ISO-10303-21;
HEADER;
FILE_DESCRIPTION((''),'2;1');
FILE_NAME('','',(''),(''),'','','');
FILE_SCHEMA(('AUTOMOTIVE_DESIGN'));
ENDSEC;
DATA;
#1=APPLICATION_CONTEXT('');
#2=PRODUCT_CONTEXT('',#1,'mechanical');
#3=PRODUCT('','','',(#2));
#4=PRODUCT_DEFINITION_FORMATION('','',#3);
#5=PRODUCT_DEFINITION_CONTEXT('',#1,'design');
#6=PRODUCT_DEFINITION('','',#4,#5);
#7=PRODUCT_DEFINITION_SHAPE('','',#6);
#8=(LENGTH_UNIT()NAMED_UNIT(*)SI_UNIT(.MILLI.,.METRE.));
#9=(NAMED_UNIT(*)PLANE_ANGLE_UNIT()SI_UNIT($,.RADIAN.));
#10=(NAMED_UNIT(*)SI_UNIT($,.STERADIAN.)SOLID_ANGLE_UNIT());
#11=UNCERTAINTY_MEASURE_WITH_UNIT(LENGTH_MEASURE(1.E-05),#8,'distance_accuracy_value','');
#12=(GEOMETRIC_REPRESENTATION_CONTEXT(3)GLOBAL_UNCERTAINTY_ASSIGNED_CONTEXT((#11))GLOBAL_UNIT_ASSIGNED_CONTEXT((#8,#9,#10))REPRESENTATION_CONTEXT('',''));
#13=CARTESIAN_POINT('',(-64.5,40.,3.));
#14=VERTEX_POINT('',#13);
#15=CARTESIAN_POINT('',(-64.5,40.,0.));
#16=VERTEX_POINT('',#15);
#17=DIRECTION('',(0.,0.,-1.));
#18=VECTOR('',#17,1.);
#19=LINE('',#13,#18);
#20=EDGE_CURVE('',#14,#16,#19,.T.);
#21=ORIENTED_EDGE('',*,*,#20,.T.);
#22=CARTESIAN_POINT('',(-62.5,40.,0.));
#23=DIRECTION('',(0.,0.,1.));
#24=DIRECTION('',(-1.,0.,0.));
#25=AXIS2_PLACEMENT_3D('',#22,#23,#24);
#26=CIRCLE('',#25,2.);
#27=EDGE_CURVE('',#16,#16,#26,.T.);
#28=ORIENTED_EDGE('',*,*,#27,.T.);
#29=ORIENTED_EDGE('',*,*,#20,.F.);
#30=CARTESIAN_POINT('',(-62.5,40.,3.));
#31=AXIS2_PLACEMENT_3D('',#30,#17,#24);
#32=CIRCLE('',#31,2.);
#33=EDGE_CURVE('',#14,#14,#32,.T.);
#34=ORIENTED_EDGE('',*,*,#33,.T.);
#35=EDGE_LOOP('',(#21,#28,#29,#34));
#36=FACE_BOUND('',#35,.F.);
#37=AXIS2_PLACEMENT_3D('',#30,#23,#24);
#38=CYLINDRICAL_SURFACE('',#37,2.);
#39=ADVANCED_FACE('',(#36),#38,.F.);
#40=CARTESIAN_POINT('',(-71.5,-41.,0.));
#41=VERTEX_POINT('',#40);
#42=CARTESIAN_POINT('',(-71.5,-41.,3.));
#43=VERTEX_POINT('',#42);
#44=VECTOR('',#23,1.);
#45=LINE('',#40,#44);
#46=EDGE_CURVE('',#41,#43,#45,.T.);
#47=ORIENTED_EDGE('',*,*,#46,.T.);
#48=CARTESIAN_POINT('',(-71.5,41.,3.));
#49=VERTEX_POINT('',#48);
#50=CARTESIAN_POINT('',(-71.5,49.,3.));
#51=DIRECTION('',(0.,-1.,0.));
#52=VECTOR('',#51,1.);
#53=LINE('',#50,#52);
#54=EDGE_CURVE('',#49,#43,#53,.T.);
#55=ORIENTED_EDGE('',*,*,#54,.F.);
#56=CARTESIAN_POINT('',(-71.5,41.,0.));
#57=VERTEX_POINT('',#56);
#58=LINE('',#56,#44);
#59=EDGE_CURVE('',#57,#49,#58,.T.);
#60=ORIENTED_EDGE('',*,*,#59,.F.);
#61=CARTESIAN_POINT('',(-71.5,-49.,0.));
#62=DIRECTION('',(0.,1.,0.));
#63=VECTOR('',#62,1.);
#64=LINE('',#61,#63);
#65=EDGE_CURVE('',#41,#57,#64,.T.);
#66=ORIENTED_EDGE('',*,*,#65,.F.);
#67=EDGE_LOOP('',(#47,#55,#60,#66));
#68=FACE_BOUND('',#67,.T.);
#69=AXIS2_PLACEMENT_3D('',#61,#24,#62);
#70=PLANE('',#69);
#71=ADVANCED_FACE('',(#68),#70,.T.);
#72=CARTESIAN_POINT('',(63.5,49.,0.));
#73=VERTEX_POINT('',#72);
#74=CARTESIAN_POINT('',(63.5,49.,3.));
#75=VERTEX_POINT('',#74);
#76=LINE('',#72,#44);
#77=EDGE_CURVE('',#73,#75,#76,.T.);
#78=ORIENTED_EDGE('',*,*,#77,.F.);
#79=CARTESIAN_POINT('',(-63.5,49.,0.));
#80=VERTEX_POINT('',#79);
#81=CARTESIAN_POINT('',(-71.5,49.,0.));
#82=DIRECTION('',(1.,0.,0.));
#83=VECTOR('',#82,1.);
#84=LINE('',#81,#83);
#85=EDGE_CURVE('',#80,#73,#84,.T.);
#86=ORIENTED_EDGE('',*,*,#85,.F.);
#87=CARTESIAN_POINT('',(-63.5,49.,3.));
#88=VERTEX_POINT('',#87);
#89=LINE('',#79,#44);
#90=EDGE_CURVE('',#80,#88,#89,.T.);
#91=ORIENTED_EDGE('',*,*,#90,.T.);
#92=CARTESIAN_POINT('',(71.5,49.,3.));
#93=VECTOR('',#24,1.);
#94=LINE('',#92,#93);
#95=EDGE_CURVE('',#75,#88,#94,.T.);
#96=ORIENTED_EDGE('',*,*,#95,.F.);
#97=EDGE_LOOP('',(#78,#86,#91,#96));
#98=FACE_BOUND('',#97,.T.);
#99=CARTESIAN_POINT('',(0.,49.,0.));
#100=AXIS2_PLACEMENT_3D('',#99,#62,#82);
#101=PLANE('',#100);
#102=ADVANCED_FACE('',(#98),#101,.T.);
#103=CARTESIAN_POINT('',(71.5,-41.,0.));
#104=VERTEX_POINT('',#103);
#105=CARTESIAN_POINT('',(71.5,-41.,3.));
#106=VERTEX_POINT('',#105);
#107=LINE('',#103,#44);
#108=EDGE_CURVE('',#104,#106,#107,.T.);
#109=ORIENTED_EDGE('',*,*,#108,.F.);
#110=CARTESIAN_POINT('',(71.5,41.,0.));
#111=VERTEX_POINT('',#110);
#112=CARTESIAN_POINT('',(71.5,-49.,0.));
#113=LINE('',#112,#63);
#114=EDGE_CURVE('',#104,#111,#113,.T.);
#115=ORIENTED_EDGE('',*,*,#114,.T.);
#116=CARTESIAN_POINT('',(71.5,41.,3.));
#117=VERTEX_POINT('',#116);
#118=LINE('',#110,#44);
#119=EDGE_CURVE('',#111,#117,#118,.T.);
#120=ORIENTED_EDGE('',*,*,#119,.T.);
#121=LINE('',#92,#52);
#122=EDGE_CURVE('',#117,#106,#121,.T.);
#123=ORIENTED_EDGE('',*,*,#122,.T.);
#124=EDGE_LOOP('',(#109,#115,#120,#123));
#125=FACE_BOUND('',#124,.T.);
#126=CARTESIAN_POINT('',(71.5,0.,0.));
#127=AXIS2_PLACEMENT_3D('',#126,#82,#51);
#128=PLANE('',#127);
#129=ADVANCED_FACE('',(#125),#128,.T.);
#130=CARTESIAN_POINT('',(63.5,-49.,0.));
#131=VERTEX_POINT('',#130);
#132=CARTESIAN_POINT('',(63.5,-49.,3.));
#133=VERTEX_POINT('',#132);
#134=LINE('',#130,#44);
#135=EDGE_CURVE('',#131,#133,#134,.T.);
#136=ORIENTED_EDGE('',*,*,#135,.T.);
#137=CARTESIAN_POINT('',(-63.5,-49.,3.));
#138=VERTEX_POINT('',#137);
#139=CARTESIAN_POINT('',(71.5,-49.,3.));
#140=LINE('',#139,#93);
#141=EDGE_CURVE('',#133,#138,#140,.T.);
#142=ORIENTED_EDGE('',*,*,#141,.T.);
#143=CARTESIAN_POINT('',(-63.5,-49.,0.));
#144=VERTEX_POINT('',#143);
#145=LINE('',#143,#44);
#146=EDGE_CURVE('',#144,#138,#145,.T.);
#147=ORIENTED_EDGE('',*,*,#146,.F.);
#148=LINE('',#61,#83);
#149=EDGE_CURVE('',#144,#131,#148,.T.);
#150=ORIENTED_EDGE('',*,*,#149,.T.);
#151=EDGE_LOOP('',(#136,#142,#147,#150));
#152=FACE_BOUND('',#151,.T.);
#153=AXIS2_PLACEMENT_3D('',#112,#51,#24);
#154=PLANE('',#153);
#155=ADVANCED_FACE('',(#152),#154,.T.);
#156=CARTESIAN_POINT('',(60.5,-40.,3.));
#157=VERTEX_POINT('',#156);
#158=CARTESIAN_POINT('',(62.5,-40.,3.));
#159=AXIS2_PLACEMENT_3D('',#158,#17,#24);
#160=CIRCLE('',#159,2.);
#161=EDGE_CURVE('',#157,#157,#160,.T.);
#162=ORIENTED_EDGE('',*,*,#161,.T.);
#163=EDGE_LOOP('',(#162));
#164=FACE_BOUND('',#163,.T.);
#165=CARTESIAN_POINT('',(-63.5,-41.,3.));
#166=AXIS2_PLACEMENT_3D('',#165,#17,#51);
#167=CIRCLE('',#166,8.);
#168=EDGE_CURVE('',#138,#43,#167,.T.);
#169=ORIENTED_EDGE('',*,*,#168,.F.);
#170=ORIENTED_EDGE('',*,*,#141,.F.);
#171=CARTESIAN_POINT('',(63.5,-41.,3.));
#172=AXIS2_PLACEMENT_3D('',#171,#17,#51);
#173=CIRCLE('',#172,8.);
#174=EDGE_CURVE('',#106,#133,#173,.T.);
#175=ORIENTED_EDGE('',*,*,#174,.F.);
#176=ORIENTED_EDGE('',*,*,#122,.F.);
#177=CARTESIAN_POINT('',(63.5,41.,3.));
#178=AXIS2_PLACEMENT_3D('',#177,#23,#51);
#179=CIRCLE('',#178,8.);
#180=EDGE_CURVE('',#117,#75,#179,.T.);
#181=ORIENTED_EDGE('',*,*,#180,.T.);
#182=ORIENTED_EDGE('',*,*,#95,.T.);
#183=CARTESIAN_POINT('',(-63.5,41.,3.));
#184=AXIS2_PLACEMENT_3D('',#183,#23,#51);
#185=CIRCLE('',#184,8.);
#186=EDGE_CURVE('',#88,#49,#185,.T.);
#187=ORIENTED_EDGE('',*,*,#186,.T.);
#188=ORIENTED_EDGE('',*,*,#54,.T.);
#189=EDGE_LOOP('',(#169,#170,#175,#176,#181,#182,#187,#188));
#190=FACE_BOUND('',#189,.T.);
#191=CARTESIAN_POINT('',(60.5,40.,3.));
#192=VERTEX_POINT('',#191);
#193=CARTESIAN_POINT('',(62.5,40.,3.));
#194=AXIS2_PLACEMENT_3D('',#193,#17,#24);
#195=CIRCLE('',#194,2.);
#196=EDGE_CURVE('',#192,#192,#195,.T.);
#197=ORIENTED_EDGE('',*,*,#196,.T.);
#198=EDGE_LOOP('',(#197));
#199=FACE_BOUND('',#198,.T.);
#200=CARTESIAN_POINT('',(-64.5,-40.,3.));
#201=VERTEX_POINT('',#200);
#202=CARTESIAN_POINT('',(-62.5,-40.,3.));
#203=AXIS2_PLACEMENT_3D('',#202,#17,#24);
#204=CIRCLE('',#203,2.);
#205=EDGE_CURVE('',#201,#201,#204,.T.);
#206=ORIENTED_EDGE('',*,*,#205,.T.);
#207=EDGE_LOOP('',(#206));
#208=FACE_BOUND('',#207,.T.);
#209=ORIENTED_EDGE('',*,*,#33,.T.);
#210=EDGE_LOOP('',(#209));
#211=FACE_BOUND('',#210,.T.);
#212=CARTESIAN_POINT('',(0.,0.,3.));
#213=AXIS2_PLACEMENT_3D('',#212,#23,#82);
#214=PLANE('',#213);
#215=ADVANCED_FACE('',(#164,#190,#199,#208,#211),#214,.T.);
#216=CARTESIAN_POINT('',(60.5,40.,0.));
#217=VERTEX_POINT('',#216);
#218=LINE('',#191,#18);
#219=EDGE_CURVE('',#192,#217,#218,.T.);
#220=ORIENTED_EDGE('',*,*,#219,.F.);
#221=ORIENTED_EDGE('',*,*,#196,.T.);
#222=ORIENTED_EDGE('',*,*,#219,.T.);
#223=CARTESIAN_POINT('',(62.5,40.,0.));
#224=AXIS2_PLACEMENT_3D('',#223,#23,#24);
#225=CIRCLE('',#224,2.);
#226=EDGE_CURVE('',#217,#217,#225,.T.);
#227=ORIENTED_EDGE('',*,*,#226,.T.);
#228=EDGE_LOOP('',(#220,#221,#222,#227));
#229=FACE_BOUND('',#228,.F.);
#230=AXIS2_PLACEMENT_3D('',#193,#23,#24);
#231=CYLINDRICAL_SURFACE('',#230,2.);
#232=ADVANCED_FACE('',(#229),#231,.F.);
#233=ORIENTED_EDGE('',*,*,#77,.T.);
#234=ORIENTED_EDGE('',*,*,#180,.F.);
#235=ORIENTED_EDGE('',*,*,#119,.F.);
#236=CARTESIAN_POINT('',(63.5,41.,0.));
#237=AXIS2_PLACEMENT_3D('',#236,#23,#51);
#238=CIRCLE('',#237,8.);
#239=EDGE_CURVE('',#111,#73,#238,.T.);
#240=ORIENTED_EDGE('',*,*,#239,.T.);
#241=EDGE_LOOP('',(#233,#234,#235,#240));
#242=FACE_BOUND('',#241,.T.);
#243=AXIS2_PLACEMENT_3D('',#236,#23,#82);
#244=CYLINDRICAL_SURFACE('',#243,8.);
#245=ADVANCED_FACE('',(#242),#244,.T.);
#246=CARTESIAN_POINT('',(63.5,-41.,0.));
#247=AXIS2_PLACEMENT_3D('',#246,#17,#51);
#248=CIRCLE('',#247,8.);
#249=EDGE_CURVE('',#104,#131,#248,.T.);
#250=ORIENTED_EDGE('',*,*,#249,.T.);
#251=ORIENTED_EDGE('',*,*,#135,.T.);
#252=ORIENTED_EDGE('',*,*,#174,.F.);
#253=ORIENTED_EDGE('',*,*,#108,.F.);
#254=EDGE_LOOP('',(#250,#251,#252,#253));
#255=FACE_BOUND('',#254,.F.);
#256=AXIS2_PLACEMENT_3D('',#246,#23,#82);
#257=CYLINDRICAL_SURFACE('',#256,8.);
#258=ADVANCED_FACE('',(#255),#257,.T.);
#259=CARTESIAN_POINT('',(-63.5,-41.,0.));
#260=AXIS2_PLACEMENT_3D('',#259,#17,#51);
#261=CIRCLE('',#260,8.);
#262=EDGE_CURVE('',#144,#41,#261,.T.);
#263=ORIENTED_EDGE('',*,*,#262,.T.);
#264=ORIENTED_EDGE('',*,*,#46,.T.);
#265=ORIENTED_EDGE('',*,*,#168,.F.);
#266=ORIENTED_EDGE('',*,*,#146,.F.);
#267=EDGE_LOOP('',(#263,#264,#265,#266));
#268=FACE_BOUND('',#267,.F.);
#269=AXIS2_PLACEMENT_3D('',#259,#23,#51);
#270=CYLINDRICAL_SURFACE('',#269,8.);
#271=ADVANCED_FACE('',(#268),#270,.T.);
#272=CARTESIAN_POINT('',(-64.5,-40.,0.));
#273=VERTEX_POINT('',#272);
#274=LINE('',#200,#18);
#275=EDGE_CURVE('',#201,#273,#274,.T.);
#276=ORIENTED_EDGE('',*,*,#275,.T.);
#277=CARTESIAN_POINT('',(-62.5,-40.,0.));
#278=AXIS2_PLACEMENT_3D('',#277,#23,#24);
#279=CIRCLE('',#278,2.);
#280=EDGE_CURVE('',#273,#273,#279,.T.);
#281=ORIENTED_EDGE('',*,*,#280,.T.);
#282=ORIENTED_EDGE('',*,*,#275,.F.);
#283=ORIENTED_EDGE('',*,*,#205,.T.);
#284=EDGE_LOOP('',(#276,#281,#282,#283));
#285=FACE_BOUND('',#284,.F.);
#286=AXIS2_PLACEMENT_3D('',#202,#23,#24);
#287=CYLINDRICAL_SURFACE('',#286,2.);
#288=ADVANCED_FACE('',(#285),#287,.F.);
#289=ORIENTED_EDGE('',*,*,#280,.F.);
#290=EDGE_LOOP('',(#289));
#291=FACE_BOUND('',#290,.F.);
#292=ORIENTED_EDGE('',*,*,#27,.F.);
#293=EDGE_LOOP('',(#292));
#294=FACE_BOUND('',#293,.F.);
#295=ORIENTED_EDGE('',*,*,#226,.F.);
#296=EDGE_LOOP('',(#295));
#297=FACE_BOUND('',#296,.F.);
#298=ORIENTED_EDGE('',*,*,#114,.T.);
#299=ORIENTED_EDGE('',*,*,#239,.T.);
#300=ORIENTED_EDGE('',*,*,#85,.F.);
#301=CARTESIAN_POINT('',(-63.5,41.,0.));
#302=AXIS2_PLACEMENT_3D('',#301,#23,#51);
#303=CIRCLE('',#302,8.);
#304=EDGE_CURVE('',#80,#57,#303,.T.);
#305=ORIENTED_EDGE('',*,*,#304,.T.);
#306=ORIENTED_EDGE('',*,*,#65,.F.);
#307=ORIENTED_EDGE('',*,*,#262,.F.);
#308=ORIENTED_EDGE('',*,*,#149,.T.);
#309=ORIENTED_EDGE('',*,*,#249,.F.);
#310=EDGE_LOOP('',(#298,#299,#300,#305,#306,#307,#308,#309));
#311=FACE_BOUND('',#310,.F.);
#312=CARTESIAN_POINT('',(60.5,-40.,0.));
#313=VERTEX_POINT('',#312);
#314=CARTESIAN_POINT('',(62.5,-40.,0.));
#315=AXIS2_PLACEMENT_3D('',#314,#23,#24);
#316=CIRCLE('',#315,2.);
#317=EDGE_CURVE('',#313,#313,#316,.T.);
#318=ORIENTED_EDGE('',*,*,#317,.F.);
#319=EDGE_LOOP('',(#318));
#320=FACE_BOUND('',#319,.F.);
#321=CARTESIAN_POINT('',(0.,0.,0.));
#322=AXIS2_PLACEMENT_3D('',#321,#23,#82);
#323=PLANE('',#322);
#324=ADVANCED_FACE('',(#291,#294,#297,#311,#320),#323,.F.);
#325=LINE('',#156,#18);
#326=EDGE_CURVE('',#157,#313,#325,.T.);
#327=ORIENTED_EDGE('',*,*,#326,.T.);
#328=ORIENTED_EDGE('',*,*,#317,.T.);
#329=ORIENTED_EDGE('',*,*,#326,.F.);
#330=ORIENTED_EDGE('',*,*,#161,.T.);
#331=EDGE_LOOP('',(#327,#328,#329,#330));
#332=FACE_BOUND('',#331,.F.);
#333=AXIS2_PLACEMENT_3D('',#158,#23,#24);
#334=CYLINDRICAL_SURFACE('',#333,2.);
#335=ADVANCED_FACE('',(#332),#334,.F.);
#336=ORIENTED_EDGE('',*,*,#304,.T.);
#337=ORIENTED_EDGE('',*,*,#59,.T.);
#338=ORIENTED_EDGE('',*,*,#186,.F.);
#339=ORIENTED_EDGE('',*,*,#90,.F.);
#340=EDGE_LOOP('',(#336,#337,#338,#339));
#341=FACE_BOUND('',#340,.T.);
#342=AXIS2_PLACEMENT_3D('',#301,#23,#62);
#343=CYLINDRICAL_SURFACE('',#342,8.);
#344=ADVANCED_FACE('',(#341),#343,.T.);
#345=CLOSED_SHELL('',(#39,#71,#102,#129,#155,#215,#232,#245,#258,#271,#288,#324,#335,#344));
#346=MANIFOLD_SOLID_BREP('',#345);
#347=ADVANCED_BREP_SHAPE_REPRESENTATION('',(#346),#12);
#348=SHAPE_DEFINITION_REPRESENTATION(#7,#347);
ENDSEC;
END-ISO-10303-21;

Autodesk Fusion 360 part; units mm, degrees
sketch "Boceto1" plane through (0, 0, 0) normal (0, 0, 1) x (1, 0, 0)
  line L0 (71.5, 0) -> (-71.5, 0)
  line L1 (0, -49) -> (0, 49)
  line L2 (-71.5, 49) -> (71.5, 49)
  line L3 (71.5, 49) -> (71.5, -49)
  line L4 (71.5, -49) -> (-71.5, -49)
  line L5 (-71.5, -49) -> (-71.5, 49)
  line L6 (-71.5, 49) -> (71.5, -49) construction
  line L7 (71.5, 49) -> (-71.5, -49) construction
  dimension "d1" = 143
  dimension "d2" = 98
extrude "Extruir1" add sketch "Boceto1" along normal blind 3
sketch "Boceto2" plane through (0, 0, 3) normal (0, 0, 1) x (-1, 0, 0)
  line L0 (71.5, 49) -> (-71.5, 49)
  line L1 (-71.5, 49) -> (-71.5, -49)
  line L2 (-71.5, -49) -> (71.5, -49)
  line L3 (71.5, -49) -> (71.5, 49)
  line L4 (71.5, -49) -> (62.5, -49)
  line L5 (62.5, -49) -> (62.5, -40)
  line L6 (71.5, 49) -> (62.5, 49)
  line L7 (62.5, 49) -> (62.5, 40)
  line L8 (-71.5, 49) -> (-71.5, 40)
  line L9 (-71.5, 40) -> (-62.5, 40)
  line L10 (-71.5, -49) -> (-62.5, -49)
  line L11 (-62.5, -49) -> (-62.5, -40)
  circle A0 centre (62.5, -40) radius 2
  circle A1 centre (62.5, 40) radius 2
  circle A2 centre (-62.5, -40) radius 2
  circle A3 centre (-62.5, 40) radius 2
  dimension "d7" = 9
  dimension "d8" = 9
  dimension "d9" = 9
  dimension "d10" = 9
  dimension "d11" = 9
  dimension "d12" = 9
  dimension "d13" = 9
  dimension "d14" = 9
  dimension "d15" = 4
  dimension "d16" = 4
  dimension "d17" = 4
  dimension "d18" = 4
extrude "Extruir2" cut sketch "Boceto2" against normal blind 3 contours A1 | A3 | A2 | A0
fillet "Empalme2" radius 8 4 edges at (-71.5, -49, 1.5) (-71.5, 49, 1.5) (71.5, -49, 1.5) (71.5, 49, 1.5)
